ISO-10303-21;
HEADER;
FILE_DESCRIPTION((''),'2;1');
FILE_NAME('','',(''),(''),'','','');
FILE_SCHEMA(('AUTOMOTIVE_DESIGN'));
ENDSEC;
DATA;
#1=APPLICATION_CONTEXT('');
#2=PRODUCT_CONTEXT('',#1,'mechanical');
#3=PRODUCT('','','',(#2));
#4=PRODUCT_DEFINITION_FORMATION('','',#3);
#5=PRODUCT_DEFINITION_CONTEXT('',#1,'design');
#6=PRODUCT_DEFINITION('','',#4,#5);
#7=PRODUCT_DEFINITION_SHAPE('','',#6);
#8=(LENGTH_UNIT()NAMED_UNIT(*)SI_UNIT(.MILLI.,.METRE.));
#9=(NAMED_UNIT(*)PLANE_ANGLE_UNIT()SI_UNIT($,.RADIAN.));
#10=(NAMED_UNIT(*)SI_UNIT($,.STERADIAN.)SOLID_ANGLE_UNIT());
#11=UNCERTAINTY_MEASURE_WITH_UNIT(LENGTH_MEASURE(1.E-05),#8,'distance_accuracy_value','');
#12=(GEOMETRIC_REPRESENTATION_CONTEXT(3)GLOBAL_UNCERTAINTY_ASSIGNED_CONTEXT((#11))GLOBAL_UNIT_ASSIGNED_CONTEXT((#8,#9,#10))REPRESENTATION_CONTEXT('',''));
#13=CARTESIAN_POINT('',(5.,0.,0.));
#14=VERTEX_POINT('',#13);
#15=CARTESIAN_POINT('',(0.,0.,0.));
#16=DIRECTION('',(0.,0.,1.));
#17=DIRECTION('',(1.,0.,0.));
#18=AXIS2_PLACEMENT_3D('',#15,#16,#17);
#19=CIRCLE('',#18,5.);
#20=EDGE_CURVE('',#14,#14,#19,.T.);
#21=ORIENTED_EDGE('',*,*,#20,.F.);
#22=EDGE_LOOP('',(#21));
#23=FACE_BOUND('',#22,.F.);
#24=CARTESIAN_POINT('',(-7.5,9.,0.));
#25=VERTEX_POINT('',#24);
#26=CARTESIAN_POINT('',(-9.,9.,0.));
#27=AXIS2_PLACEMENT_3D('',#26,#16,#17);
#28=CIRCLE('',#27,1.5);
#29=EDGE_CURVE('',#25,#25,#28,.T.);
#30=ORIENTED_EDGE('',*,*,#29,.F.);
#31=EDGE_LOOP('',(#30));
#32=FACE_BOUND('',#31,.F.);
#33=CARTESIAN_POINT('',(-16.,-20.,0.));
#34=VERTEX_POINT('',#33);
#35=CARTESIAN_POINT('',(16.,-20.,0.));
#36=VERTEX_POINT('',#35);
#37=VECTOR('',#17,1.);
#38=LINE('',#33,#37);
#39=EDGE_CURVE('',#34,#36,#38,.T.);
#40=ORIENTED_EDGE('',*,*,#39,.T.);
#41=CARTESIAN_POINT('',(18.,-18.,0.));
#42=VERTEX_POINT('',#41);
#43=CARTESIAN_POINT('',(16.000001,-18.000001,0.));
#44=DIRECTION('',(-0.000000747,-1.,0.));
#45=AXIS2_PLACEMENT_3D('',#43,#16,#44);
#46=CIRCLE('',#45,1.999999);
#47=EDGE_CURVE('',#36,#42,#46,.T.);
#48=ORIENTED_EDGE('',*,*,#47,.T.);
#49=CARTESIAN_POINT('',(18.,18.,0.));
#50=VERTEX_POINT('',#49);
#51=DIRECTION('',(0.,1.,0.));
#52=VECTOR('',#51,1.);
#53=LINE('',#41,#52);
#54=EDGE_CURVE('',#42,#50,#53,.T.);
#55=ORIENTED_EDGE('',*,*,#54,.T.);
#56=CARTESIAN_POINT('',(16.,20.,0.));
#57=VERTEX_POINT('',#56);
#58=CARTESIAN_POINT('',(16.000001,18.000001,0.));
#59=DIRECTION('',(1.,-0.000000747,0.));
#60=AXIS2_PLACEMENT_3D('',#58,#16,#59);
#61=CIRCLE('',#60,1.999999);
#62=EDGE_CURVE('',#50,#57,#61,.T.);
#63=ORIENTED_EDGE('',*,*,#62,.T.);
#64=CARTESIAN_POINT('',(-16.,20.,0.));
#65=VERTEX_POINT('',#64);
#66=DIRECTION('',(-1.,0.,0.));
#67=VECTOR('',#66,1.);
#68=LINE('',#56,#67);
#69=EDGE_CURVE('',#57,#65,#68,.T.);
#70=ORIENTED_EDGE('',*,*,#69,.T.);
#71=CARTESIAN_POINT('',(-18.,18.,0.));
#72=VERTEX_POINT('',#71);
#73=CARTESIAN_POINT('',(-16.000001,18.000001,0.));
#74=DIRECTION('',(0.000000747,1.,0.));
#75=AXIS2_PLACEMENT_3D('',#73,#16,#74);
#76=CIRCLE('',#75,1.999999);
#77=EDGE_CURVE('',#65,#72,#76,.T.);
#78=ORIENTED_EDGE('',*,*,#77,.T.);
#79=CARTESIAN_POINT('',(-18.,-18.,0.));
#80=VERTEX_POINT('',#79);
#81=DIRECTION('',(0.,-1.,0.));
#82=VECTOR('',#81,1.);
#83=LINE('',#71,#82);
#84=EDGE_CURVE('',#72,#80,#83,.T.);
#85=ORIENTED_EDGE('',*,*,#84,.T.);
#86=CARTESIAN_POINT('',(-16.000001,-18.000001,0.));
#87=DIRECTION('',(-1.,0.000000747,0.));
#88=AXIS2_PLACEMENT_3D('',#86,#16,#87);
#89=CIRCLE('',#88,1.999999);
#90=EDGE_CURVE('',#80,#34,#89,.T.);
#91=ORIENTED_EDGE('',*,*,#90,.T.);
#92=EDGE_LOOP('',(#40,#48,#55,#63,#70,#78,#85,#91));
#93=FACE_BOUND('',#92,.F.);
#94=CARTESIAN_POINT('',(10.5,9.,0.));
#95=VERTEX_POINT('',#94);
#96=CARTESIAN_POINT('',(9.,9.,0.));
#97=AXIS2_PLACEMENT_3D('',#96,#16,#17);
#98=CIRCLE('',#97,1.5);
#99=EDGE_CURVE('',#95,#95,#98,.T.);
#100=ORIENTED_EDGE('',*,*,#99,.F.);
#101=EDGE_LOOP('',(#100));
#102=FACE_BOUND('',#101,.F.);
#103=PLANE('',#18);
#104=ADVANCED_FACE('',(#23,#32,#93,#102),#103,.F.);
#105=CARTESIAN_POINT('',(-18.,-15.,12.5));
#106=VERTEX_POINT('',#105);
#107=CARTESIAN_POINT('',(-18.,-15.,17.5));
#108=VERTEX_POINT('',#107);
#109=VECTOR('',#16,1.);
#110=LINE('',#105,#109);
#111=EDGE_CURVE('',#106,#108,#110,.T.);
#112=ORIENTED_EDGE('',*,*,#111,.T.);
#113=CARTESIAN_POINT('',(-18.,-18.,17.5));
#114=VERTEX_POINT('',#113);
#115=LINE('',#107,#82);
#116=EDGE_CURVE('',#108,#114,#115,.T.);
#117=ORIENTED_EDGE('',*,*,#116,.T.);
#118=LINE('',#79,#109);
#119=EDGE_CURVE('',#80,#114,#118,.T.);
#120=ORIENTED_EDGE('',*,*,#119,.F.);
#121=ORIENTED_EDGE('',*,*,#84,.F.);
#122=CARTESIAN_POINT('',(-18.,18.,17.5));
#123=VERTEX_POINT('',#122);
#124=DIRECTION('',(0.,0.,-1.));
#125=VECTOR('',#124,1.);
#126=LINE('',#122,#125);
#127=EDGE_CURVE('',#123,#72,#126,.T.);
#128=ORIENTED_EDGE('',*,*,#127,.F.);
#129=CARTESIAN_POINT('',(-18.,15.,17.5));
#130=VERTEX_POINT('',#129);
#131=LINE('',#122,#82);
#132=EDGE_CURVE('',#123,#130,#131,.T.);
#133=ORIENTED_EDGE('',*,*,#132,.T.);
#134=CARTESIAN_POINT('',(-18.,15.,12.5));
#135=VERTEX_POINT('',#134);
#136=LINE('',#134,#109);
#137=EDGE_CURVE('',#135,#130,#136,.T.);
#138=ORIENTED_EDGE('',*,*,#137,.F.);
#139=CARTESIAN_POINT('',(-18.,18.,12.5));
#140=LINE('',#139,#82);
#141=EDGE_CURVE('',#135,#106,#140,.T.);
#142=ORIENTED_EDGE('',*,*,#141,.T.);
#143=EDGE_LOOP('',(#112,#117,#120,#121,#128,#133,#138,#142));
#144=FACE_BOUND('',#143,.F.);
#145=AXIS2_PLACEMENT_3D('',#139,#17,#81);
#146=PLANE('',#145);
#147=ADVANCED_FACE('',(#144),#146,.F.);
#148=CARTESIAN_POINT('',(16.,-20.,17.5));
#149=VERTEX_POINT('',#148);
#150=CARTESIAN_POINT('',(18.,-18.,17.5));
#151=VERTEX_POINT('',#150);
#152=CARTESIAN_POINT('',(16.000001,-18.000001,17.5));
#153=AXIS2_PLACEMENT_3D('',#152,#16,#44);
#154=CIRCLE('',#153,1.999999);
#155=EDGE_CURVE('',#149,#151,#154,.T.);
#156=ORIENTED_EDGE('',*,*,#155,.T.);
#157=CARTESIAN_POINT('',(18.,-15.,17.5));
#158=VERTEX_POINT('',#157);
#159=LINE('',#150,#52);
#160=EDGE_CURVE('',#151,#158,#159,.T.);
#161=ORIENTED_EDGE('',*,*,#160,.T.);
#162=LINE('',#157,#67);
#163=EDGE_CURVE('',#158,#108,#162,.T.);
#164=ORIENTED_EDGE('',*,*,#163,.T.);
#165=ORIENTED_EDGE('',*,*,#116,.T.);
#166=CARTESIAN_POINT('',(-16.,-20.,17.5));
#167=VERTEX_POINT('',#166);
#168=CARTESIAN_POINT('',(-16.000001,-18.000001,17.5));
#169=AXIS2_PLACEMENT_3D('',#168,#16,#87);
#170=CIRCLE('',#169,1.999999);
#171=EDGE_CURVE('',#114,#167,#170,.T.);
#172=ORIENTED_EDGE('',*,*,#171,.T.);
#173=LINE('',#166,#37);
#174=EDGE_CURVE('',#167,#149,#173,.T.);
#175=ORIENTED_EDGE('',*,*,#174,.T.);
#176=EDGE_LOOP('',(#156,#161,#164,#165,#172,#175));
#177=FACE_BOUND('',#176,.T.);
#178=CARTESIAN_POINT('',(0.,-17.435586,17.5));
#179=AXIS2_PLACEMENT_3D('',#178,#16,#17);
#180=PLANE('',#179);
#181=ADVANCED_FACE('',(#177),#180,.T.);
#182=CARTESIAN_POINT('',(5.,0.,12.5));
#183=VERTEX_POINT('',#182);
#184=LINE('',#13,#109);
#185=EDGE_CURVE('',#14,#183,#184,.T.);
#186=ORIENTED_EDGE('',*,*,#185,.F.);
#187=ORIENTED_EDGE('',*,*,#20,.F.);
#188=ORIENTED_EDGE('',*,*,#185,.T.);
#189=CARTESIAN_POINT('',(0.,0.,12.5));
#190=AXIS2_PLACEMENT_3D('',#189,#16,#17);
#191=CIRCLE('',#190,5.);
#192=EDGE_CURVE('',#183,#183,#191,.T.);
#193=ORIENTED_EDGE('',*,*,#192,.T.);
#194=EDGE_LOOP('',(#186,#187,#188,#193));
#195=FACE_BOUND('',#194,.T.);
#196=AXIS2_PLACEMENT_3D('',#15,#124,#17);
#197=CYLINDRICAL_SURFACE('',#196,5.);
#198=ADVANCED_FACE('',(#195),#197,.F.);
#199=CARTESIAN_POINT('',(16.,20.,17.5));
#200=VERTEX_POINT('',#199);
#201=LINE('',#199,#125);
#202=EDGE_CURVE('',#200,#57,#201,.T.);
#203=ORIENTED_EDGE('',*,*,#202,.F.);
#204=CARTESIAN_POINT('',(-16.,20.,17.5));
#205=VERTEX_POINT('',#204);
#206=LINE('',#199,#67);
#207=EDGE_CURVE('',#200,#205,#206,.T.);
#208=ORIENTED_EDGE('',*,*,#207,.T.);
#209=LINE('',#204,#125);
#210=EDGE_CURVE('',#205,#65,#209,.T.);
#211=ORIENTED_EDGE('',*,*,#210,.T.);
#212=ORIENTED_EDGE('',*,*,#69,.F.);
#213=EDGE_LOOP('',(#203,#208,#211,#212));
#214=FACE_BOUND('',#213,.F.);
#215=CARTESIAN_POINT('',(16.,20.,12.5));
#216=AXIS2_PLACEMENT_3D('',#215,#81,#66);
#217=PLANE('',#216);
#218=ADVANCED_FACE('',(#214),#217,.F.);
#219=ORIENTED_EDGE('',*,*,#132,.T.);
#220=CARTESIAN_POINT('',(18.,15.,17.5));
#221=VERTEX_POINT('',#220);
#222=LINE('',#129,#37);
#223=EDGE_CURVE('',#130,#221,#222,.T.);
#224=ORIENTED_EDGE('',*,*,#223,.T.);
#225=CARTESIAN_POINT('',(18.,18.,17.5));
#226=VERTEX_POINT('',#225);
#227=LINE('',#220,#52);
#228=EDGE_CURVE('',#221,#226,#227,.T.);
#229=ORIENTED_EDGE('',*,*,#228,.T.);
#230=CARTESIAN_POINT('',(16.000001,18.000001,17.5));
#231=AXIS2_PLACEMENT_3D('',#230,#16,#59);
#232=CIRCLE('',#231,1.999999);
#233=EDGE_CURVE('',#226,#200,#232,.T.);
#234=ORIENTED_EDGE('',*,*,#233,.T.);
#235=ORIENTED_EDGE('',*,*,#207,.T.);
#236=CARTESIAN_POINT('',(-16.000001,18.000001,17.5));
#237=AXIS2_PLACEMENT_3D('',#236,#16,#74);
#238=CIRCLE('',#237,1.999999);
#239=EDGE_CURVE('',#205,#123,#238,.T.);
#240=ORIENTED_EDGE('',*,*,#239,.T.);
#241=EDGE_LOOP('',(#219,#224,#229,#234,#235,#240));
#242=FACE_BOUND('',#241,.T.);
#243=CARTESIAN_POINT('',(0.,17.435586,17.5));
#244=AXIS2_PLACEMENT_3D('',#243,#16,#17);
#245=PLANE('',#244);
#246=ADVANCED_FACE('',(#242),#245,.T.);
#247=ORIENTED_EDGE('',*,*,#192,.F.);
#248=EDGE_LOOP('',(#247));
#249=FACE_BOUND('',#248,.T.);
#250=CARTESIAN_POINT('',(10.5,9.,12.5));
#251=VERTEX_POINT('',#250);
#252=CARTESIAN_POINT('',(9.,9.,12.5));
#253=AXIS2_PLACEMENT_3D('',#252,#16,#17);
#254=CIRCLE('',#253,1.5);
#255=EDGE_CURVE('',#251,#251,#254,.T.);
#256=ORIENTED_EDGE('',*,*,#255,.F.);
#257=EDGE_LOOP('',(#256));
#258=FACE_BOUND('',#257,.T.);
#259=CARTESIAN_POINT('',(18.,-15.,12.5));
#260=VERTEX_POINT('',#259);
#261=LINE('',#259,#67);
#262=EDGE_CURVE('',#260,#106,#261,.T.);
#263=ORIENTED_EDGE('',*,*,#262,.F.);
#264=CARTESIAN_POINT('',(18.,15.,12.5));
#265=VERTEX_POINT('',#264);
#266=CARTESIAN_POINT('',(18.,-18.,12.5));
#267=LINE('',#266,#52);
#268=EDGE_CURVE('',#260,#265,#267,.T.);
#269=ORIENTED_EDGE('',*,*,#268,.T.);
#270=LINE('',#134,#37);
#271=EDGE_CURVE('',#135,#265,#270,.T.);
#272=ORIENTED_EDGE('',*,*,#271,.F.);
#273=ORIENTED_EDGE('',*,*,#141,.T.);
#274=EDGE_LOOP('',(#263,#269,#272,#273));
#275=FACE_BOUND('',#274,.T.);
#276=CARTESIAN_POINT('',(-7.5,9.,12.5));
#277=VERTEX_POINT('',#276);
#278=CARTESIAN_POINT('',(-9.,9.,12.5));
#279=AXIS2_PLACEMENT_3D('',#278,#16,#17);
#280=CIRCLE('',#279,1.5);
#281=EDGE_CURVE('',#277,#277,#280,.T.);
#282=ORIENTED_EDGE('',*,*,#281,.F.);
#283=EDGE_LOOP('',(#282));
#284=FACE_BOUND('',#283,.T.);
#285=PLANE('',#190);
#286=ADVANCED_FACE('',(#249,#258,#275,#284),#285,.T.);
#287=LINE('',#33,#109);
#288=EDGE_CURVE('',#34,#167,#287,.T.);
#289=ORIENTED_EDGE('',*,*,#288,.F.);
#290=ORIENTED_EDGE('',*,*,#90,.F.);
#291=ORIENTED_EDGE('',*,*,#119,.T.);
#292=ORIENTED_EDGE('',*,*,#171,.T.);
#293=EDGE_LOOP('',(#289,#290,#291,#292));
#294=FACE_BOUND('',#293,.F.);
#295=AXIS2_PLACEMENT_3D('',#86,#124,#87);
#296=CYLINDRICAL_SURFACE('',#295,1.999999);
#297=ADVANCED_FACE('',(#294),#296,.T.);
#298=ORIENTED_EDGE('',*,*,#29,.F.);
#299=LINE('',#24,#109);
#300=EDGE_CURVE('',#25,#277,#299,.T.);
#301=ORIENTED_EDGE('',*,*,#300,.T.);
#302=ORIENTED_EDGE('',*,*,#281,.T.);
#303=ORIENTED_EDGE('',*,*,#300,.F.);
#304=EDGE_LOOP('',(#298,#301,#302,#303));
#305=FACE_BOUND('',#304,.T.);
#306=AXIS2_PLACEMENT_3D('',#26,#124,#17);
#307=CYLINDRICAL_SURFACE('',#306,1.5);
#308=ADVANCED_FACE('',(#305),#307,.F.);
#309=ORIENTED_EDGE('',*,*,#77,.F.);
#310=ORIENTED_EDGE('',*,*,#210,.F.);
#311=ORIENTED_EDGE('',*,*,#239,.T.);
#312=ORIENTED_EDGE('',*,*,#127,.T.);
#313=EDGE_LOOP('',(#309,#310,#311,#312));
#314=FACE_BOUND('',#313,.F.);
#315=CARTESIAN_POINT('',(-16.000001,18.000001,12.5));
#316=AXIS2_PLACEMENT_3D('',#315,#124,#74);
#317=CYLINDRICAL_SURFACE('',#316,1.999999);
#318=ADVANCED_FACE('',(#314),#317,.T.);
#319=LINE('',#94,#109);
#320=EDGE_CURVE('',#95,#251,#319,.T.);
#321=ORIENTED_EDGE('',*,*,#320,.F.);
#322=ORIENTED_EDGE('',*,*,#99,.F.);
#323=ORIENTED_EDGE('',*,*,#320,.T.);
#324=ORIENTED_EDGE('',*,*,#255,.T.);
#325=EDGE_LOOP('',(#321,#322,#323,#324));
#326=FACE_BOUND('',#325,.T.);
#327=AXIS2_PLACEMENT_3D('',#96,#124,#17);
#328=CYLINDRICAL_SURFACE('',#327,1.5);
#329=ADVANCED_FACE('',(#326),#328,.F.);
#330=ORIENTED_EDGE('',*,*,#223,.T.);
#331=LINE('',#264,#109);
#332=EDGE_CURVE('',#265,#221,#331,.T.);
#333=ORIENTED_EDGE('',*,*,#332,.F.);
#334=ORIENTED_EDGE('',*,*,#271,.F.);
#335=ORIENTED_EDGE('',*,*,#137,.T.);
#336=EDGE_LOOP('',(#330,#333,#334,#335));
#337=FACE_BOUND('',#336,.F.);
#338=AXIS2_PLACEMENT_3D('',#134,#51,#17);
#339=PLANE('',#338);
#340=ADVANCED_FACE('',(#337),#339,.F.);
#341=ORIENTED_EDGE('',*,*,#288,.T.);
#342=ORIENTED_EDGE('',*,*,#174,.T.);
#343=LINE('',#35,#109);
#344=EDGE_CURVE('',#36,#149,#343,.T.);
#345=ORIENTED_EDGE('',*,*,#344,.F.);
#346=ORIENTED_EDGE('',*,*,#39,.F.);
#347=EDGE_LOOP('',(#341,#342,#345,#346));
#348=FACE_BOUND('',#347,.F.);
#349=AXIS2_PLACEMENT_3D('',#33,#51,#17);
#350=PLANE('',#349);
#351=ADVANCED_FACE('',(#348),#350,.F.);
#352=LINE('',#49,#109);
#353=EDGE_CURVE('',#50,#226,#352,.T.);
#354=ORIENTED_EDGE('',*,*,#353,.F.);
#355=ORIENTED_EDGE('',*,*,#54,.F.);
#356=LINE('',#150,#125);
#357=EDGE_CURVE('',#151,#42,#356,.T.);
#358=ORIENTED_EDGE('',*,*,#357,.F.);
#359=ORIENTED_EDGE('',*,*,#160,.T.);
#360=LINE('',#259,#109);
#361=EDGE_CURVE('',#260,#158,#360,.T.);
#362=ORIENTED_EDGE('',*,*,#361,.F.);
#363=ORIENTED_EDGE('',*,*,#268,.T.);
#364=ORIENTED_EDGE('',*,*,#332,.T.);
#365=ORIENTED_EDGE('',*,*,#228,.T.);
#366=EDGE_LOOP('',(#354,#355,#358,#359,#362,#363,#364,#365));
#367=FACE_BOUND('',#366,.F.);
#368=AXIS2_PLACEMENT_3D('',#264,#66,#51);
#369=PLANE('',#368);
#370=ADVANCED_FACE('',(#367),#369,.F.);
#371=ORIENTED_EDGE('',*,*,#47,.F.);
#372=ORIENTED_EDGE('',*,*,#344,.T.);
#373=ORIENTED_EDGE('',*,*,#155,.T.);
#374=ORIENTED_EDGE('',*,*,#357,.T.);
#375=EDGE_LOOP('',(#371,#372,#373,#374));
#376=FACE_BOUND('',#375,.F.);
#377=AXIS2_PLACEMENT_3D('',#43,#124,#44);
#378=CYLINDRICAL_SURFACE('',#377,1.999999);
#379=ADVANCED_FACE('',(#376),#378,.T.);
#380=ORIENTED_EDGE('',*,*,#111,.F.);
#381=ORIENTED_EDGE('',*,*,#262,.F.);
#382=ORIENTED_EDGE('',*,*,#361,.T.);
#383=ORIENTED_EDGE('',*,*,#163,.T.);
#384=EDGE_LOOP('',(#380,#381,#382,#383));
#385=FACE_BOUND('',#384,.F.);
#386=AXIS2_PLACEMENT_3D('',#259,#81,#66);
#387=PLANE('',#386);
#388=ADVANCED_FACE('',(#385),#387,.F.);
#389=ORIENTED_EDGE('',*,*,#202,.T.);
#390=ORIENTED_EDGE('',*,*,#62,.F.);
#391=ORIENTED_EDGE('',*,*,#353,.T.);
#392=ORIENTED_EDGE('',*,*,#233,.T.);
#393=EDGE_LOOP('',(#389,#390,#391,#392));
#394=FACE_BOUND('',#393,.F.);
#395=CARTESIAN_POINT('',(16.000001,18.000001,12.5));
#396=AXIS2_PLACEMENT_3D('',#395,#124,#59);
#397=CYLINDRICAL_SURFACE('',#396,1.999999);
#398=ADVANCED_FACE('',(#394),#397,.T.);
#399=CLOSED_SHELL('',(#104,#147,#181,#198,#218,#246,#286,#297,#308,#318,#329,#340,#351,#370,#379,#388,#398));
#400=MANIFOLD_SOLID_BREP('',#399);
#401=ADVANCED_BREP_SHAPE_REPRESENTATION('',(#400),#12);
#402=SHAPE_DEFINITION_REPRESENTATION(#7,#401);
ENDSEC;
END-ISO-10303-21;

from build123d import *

# Parameters (mm, degrees)
F0_R     = 1.5
F0_R_2   = 5
F1_DEPTH = 12.5
F3_DEPTH = 5


with BuildPart() as f1:
    # F0 (on Top) → F1 (new body)
    with BuildSketch(Plane.XY):
        with BuildLine():
            ThreePointArc((18, 18), (17.414214, 19.414214), (16, 20))
            Line((16, 20), (-16, 20))
            ThreePointArc((-16, 20), (-17.414214, 19.414214), (-18, 18))
            Line((-18, 18), (-18, -18))
            ThreePointArc((-18, -18), (-17.414214, -19.414214), (-16, -20))
            Line((-16, -20), (16, -20))
            ThreePointArc((16, -20), (17.414214, -19.414214), (18, -18))
            Line((18, -18), (18, 18))
        make_face()
        with Locations((-9, 9)):
            Circle(F0_R, mode=Mode.SUBTRACT)
        Circle(F0_R_2, mode=Mode.SUBTRACT)
        with Locations((9, 9)):
            Circle(F0_R, mode=Mode.SUBTRACT)
    extrude(amount=F1_DEPTH)

    # F2 (on face) → F3 (join)
    with BuildSketch(Plane.XY.offset(12.5)):
        with BuildLine():
            Line((-18, 18), (-18, 15))
            Line((-18, 15), (18, 15))
            Line((18, 15), (18, 18))
            ThreePointArc((18, 18), (17.414214, 19.414214), (16, 20))
            Line((16, 20), (-16, 20))
            ThreePointArc((-16, 20), (-17.414214, 19.414214), (-18, 18))
        make_face()
        with BuildLine():
            Line((18, -15), (-18, -15))
            Line((-18, -15), (-18, -18))
            ThreePointArc((-18, -18), (-17.414214, -19.414214), (-16, -20))
            Line((-16, -20), (16, -20))
            ThreePointArc((16, -20), (17.414214, -19.414214), (18, -18))
            Line((18, -18), (18, -15))
        make_face()
    extrude(amount=F3_DEPTH)


solid = f1.part
